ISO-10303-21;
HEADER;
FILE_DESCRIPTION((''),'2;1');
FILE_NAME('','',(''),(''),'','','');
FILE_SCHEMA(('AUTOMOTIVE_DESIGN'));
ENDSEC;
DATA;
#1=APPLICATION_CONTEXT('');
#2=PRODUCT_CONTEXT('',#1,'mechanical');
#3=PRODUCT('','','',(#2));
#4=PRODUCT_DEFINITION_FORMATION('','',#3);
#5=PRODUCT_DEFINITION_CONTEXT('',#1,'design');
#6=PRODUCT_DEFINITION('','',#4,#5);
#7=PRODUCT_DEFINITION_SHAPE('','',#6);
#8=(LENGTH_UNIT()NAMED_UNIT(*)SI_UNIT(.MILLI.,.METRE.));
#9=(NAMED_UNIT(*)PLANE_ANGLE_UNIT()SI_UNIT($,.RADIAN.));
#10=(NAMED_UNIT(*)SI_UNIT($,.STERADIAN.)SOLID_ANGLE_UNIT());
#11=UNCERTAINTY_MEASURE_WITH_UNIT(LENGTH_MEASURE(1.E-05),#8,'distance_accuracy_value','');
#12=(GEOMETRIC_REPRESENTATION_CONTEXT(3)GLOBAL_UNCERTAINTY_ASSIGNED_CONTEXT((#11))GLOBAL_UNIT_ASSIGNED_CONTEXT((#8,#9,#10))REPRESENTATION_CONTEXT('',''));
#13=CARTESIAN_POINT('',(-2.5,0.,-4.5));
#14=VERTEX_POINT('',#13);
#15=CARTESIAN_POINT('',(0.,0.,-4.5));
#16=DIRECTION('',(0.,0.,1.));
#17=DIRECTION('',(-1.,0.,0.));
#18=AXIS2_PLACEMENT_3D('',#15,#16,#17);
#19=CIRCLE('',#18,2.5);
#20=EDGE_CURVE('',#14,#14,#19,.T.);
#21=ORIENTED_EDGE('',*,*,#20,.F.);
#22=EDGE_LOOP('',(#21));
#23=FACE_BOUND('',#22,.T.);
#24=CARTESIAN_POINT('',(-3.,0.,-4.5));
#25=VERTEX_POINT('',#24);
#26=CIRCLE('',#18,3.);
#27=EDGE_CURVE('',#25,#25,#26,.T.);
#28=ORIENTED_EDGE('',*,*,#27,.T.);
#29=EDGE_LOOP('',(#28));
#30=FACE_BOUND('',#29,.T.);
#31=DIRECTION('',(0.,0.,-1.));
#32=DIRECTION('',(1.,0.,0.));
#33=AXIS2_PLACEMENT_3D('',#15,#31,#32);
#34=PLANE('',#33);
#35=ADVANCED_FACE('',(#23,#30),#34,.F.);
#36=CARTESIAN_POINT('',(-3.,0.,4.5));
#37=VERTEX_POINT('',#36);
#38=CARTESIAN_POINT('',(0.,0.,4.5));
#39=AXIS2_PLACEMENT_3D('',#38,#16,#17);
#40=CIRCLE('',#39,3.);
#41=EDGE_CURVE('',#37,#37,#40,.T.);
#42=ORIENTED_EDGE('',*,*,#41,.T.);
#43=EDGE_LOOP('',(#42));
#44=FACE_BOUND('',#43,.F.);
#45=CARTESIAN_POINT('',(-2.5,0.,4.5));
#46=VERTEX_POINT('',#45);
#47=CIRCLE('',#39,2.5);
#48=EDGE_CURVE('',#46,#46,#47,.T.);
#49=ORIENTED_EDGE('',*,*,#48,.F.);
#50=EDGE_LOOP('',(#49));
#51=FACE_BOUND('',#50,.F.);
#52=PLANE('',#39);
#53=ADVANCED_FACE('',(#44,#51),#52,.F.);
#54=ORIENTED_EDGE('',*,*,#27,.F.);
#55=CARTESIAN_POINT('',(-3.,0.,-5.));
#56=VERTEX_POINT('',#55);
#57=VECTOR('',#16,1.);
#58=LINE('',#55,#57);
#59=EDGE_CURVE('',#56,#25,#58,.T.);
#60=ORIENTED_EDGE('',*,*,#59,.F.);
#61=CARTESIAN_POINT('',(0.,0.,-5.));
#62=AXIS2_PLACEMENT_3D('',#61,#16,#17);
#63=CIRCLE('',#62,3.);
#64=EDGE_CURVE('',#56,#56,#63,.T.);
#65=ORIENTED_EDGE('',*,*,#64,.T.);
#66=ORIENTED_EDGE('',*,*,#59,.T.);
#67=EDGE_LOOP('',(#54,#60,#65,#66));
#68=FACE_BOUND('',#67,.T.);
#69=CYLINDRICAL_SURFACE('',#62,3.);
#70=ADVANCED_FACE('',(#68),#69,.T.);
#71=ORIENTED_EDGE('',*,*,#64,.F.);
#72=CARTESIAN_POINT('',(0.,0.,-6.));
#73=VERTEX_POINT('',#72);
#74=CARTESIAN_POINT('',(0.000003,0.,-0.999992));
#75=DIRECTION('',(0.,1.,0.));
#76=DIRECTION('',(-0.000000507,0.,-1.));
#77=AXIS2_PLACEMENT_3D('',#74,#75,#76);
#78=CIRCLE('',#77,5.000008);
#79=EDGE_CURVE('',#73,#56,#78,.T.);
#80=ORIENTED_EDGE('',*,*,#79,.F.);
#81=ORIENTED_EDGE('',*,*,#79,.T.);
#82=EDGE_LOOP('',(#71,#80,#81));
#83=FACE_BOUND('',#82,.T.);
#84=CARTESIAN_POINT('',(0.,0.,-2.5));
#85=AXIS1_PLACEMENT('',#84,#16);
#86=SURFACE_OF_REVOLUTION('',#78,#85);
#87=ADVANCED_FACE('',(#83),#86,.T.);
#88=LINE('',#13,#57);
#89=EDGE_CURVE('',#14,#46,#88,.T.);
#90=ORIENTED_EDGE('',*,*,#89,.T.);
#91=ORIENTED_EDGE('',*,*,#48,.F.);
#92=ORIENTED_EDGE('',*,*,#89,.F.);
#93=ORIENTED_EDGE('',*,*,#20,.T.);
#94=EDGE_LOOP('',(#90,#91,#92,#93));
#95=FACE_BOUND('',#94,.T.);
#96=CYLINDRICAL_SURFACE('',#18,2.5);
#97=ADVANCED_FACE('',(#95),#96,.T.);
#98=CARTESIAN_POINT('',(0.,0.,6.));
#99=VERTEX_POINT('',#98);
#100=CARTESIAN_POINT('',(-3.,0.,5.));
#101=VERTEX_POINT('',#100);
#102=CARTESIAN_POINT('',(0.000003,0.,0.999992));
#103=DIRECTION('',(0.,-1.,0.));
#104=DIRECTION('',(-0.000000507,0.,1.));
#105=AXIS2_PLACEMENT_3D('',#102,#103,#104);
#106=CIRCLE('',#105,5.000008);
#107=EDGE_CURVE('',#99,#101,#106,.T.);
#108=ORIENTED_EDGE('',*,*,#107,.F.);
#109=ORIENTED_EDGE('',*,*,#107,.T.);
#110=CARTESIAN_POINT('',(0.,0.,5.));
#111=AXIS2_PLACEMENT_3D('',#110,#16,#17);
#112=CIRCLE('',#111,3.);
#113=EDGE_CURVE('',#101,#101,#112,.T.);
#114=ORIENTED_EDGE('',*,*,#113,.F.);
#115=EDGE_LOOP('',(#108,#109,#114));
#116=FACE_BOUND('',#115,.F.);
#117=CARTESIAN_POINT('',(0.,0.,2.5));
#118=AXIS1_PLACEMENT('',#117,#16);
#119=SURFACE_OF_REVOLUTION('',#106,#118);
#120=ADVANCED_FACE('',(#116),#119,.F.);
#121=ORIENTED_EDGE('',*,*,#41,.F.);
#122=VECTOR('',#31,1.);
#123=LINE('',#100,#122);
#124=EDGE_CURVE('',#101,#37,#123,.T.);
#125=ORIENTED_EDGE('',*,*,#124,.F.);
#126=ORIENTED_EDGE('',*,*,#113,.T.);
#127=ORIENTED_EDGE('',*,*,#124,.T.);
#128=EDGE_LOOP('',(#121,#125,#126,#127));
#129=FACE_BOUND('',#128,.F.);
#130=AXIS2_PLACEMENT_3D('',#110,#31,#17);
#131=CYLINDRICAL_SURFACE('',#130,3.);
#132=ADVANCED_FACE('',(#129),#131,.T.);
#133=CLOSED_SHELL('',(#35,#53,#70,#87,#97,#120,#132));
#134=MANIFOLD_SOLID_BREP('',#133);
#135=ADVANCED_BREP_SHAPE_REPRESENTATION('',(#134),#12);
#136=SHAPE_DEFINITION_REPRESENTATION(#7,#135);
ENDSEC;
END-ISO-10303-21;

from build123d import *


with BuildPart() as f1:
    # F0 (on Front) → F1 (revolve)
    with BuildSketch(Plane.XZ):
        Polygon((-2.5, 0), (0, 0), (0, 5), (-3, 5), (-3, 4.5), (-2.5, 4.5), align=None)
        with BuildLine():
            Line((-3, 5), (0, 5))
            Line((0, 5), (0, 6))
            ThreePointArc((0, 6), (-1.581139, 5.743416), (-3, 5))
        make_face()
    revolve(axis=Axis((0, 0, 2.5), (0, 0, 1)))

    # F2: F1 across face


with BuildPart() as f1_1:
    add(f1.part)
    add(f1.part.mirror(Plane(origin=(0, 0, 0), x_dir=(1, 0, 0), z_dir=(0, 0, -1))))


solid = f1_1.part
